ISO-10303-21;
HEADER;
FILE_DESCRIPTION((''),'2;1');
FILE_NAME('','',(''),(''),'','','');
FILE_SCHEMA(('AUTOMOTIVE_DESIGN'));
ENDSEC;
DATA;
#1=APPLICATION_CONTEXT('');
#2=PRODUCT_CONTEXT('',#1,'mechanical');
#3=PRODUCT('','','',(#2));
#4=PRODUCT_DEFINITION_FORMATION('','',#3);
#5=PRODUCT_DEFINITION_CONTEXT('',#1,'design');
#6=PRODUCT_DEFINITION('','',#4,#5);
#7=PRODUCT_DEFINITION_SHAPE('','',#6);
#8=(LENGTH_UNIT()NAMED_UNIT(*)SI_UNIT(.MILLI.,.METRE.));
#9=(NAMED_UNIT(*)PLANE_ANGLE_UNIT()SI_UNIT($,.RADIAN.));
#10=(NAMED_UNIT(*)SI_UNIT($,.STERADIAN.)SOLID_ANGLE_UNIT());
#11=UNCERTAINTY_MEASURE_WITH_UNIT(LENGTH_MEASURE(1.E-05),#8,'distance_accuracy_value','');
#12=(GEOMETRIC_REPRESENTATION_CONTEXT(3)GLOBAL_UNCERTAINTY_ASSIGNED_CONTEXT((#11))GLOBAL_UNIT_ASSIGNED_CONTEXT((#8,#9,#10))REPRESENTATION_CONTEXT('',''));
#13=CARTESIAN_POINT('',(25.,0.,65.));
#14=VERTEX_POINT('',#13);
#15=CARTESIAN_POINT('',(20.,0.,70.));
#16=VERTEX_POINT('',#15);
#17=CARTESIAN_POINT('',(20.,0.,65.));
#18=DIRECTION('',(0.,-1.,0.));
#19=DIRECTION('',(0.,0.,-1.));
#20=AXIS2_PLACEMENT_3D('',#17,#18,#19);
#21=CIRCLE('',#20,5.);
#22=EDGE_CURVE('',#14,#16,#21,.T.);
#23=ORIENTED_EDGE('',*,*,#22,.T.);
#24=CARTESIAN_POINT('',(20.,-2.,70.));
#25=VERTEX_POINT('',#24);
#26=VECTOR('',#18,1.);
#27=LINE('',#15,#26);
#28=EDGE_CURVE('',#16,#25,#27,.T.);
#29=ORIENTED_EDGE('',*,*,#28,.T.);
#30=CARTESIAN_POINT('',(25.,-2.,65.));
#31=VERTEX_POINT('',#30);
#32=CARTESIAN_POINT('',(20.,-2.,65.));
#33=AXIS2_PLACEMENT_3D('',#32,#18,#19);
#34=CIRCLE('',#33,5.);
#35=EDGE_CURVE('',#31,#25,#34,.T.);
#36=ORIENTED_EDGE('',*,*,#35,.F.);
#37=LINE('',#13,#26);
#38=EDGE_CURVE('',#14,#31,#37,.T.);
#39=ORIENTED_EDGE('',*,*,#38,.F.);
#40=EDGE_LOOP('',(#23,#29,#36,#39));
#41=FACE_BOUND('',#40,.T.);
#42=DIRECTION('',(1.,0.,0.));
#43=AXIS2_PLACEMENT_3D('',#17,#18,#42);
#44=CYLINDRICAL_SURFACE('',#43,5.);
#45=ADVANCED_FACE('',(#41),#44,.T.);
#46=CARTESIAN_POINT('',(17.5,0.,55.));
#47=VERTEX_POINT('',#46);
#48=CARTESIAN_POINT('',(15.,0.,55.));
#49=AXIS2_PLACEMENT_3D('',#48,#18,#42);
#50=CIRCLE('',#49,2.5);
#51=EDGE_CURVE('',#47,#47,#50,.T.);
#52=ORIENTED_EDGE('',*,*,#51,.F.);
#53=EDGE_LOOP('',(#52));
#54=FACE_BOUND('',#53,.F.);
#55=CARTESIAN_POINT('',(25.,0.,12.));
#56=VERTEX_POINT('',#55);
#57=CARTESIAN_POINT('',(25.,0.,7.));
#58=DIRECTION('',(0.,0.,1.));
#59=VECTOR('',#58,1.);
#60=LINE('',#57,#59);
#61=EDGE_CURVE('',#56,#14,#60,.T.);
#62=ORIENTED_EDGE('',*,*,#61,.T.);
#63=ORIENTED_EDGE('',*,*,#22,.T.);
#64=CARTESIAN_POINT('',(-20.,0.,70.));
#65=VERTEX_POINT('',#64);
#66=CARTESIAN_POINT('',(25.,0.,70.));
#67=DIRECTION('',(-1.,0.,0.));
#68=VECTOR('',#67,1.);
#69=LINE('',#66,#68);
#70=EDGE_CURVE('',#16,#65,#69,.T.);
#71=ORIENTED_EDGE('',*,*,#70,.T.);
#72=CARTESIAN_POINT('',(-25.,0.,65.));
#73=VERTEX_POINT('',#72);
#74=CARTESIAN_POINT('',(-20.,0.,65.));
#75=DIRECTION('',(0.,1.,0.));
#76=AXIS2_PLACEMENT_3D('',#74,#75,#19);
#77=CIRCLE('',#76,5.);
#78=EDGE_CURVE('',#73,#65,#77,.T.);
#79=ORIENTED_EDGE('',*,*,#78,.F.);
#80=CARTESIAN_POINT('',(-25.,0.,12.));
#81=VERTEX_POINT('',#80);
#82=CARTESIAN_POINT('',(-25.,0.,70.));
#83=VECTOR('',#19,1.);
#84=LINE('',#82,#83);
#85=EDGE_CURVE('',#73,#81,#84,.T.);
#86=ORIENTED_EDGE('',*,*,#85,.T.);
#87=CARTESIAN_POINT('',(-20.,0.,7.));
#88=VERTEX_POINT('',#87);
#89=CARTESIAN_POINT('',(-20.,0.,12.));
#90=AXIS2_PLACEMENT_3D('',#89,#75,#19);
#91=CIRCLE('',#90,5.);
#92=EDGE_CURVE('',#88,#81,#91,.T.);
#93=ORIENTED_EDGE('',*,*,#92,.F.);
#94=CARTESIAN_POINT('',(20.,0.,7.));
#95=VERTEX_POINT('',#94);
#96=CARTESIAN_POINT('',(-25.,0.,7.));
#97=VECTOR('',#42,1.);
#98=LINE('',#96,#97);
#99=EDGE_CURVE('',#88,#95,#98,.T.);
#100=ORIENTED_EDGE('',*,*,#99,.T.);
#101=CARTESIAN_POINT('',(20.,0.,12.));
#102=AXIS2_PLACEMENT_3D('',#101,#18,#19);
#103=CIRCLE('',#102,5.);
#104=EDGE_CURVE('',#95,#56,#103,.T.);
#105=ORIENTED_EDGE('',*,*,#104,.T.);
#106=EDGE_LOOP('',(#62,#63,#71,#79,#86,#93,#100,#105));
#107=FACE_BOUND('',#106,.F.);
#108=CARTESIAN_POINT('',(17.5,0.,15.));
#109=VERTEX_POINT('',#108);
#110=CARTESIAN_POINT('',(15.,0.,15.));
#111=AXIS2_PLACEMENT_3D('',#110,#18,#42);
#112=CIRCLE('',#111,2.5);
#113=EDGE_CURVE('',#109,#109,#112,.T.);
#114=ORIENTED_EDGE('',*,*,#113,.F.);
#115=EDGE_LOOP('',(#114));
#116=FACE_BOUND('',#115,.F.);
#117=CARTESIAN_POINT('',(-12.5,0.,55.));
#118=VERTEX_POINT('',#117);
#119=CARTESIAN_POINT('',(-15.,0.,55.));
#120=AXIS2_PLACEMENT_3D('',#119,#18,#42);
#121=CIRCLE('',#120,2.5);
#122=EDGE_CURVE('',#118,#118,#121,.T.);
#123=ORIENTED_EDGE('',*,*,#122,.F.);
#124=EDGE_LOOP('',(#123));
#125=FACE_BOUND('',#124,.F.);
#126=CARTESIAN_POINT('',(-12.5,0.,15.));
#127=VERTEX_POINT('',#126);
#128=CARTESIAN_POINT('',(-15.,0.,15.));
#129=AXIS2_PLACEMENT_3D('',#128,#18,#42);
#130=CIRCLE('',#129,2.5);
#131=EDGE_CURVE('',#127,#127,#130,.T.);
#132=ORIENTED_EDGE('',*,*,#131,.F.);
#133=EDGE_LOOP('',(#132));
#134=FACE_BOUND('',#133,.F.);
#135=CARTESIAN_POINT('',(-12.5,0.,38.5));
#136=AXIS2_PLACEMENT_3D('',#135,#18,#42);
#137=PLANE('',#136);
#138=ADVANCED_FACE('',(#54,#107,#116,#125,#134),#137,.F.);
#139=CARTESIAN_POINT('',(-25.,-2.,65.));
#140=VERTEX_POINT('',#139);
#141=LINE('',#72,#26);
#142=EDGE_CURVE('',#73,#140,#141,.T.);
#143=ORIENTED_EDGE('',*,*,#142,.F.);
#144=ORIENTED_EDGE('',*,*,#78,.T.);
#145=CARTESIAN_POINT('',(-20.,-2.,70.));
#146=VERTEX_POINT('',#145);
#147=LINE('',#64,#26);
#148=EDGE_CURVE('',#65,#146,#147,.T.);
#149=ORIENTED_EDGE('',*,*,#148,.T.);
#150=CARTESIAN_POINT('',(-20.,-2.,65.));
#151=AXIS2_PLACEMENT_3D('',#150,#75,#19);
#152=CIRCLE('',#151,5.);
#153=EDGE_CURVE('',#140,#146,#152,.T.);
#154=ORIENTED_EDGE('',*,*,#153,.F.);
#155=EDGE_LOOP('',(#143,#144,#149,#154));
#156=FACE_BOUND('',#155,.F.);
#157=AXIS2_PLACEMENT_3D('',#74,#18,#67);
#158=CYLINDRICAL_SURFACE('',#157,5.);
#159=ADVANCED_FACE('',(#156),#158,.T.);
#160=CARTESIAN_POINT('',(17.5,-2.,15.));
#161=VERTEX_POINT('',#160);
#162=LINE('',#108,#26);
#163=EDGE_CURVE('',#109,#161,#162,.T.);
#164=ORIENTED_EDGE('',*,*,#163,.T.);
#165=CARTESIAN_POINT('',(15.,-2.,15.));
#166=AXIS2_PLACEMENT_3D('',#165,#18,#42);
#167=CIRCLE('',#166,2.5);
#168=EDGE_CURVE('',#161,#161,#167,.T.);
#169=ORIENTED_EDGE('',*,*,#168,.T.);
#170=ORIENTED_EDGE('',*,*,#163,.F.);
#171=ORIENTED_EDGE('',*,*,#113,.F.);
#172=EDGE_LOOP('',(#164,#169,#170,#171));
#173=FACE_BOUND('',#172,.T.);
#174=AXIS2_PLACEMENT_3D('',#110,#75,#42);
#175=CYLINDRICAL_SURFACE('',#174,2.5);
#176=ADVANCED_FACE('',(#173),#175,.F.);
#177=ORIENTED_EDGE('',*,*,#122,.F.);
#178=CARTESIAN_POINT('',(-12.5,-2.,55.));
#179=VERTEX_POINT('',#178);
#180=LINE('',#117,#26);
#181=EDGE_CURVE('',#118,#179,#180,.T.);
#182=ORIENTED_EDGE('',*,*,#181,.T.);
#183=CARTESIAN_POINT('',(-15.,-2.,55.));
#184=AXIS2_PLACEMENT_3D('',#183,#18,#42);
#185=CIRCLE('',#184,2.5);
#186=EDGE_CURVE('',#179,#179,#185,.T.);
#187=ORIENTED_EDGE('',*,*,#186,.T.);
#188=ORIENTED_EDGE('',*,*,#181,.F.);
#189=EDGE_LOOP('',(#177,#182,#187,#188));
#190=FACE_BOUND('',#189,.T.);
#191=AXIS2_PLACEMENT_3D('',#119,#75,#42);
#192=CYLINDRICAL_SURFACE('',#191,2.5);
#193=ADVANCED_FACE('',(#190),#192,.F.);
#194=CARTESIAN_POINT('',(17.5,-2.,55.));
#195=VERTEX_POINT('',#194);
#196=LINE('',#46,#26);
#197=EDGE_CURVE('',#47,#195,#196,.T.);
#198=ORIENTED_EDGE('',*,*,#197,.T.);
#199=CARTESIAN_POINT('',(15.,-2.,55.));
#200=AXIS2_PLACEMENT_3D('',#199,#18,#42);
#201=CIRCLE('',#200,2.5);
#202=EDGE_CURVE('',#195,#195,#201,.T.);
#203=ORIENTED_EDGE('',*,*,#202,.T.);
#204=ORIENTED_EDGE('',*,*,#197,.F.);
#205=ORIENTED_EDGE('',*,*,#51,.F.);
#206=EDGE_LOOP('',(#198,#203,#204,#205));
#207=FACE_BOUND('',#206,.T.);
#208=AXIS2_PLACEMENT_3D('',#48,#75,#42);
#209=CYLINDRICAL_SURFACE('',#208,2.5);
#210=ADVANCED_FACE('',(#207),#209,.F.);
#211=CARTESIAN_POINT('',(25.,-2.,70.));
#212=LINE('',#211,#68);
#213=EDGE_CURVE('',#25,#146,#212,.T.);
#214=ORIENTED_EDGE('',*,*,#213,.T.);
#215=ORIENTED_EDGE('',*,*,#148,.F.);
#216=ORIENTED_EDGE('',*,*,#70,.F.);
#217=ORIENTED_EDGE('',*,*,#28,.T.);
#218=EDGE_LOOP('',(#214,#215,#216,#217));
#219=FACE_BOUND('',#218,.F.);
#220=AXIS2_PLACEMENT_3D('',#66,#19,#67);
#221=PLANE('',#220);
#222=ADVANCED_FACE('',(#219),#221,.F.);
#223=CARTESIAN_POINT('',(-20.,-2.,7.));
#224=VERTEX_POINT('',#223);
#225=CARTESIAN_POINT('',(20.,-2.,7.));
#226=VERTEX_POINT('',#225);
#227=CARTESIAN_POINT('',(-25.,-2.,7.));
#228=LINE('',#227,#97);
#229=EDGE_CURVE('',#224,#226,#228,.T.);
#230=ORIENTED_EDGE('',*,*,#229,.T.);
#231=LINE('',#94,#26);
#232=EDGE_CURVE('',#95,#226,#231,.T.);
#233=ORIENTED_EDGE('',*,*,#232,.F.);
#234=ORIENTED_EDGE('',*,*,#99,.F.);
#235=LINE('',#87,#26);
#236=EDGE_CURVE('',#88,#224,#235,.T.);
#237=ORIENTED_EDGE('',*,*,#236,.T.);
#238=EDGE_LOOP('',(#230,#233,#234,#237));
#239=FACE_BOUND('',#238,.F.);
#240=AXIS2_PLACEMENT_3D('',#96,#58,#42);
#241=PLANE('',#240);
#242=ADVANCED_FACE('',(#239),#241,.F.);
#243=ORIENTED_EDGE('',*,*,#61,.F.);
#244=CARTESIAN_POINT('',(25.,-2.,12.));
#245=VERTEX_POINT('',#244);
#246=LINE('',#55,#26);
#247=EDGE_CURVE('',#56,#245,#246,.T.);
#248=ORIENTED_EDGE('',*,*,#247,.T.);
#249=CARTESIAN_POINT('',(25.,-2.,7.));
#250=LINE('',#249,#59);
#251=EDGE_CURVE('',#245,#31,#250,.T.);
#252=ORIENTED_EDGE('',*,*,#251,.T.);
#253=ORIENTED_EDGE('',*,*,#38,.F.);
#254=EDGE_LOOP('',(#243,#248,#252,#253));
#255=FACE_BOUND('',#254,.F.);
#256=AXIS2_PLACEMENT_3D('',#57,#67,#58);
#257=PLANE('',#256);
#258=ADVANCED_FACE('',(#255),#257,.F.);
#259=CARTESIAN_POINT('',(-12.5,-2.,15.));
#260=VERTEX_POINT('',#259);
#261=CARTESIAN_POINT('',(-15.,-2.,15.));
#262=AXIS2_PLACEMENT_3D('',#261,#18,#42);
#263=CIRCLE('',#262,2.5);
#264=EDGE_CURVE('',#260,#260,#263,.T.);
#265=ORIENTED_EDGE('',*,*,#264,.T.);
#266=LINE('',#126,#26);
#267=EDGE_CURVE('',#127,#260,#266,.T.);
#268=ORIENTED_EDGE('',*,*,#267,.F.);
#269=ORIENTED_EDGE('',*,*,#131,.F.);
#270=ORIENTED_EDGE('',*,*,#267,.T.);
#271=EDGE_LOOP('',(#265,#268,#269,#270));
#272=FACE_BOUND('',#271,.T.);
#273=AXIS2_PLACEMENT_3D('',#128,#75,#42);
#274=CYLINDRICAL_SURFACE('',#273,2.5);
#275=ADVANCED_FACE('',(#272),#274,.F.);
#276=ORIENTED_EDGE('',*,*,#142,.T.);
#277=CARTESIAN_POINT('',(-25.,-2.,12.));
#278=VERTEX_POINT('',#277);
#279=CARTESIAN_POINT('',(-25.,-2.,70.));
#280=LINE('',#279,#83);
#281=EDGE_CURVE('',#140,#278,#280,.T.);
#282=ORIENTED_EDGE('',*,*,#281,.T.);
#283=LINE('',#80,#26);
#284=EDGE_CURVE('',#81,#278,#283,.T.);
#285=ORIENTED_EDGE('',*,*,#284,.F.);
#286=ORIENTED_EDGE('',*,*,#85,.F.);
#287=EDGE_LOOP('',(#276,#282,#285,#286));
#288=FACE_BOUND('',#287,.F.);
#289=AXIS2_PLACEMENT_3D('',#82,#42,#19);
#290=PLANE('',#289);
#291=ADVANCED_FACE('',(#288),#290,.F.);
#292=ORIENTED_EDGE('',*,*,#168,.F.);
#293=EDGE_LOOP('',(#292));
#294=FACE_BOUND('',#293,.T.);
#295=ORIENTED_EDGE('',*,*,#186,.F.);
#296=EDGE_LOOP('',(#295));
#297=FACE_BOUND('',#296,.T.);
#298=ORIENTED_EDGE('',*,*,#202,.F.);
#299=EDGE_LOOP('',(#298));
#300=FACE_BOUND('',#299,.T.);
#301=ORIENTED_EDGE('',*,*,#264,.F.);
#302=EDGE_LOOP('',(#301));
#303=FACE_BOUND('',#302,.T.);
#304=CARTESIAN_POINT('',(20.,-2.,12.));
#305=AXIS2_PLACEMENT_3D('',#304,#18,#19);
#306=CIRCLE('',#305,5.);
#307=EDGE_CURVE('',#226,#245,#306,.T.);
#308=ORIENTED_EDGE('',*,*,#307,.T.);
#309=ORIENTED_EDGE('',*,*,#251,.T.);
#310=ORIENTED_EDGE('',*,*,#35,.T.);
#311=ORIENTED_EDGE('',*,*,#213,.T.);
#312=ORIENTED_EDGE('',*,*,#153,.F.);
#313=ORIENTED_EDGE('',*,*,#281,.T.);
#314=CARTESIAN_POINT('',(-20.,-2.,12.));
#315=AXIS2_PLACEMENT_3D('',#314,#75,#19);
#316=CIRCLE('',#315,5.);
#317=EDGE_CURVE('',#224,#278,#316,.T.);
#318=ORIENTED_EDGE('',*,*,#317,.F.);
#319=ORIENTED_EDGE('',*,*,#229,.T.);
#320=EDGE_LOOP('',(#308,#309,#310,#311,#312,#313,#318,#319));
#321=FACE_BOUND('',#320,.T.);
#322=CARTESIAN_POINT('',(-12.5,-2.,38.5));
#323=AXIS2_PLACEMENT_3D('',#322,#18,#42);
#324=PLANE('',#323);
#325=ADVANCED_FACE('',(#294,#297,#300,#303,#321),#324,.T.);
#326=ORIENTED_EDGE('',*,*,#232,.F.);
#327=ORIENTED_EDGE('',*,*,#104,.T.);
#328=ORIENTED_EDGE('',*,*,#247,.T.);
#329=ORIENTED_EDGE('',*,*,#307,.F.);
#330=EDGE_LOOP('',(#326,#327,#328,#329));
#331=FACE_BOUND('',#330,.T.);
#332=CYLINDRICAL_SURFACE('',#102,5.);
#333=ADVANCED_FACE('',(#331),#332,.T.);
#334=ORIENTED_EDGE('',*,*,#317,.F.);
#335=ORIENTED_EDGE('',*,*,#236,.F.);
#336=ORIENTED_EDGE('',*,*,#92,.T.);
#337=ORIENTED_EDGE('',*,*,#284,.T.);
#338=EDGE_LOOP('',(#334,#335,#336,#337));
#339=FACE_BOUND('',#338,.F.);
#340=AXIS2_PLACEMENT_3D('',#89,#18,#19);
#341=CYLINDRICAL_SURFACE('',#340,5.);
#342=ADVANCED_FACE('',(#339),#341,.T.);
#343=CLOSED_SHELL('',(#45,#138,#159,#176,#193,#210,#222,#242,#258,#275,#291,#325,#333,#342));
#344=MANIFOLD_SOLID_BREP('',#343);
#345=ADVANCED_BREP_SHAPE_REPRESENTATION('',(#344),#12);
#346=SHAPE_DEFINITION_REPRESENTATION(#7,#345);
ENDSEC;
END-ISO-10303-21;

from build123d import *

# Parameters (mm, degrees)
F0_R     = 2.5
F1_DEPTH = 2
F2_R     = 5


with BuildPart() as f1:
    # F0 (on Front) → F1 (new body)
    with BuildSketch(Plane.XZ):
        Polygon((-25, 7), (0, 7), (0, 50.54388), (0, 70), (-25, 70), align=None)
        with Locations((-15, 15)):
            Circle(F0_R, mode=Mode.SUBTRACT)
        with Locations((-15, 55)):
            Circle(F0_R, mode=Mode.SUBTRACT)
        Polygon((0, 50.54388), (0, 7), (25, 7), (25, 70), (0, 70), align=None)
        with Locations((15, 15)):
            Circle(F0_R, mode=Mode.SUBTRACT)
        with Locations((15, 55)):
            Circle(F0_R, mode=Mode.SUBTRACT)
    extrude(amount=F1_DEPTH)

    # F2
    f2_edges = [f1.edges().sort_by_distance(p)[0] for p in [
        (-25, -1, 70),
        (25, -1, 70),
        (-25, -1, 7),
        (25, -1, 7),
    ]]
    fillet(f2_edges, radius=F2_R)


solid = f1.part
